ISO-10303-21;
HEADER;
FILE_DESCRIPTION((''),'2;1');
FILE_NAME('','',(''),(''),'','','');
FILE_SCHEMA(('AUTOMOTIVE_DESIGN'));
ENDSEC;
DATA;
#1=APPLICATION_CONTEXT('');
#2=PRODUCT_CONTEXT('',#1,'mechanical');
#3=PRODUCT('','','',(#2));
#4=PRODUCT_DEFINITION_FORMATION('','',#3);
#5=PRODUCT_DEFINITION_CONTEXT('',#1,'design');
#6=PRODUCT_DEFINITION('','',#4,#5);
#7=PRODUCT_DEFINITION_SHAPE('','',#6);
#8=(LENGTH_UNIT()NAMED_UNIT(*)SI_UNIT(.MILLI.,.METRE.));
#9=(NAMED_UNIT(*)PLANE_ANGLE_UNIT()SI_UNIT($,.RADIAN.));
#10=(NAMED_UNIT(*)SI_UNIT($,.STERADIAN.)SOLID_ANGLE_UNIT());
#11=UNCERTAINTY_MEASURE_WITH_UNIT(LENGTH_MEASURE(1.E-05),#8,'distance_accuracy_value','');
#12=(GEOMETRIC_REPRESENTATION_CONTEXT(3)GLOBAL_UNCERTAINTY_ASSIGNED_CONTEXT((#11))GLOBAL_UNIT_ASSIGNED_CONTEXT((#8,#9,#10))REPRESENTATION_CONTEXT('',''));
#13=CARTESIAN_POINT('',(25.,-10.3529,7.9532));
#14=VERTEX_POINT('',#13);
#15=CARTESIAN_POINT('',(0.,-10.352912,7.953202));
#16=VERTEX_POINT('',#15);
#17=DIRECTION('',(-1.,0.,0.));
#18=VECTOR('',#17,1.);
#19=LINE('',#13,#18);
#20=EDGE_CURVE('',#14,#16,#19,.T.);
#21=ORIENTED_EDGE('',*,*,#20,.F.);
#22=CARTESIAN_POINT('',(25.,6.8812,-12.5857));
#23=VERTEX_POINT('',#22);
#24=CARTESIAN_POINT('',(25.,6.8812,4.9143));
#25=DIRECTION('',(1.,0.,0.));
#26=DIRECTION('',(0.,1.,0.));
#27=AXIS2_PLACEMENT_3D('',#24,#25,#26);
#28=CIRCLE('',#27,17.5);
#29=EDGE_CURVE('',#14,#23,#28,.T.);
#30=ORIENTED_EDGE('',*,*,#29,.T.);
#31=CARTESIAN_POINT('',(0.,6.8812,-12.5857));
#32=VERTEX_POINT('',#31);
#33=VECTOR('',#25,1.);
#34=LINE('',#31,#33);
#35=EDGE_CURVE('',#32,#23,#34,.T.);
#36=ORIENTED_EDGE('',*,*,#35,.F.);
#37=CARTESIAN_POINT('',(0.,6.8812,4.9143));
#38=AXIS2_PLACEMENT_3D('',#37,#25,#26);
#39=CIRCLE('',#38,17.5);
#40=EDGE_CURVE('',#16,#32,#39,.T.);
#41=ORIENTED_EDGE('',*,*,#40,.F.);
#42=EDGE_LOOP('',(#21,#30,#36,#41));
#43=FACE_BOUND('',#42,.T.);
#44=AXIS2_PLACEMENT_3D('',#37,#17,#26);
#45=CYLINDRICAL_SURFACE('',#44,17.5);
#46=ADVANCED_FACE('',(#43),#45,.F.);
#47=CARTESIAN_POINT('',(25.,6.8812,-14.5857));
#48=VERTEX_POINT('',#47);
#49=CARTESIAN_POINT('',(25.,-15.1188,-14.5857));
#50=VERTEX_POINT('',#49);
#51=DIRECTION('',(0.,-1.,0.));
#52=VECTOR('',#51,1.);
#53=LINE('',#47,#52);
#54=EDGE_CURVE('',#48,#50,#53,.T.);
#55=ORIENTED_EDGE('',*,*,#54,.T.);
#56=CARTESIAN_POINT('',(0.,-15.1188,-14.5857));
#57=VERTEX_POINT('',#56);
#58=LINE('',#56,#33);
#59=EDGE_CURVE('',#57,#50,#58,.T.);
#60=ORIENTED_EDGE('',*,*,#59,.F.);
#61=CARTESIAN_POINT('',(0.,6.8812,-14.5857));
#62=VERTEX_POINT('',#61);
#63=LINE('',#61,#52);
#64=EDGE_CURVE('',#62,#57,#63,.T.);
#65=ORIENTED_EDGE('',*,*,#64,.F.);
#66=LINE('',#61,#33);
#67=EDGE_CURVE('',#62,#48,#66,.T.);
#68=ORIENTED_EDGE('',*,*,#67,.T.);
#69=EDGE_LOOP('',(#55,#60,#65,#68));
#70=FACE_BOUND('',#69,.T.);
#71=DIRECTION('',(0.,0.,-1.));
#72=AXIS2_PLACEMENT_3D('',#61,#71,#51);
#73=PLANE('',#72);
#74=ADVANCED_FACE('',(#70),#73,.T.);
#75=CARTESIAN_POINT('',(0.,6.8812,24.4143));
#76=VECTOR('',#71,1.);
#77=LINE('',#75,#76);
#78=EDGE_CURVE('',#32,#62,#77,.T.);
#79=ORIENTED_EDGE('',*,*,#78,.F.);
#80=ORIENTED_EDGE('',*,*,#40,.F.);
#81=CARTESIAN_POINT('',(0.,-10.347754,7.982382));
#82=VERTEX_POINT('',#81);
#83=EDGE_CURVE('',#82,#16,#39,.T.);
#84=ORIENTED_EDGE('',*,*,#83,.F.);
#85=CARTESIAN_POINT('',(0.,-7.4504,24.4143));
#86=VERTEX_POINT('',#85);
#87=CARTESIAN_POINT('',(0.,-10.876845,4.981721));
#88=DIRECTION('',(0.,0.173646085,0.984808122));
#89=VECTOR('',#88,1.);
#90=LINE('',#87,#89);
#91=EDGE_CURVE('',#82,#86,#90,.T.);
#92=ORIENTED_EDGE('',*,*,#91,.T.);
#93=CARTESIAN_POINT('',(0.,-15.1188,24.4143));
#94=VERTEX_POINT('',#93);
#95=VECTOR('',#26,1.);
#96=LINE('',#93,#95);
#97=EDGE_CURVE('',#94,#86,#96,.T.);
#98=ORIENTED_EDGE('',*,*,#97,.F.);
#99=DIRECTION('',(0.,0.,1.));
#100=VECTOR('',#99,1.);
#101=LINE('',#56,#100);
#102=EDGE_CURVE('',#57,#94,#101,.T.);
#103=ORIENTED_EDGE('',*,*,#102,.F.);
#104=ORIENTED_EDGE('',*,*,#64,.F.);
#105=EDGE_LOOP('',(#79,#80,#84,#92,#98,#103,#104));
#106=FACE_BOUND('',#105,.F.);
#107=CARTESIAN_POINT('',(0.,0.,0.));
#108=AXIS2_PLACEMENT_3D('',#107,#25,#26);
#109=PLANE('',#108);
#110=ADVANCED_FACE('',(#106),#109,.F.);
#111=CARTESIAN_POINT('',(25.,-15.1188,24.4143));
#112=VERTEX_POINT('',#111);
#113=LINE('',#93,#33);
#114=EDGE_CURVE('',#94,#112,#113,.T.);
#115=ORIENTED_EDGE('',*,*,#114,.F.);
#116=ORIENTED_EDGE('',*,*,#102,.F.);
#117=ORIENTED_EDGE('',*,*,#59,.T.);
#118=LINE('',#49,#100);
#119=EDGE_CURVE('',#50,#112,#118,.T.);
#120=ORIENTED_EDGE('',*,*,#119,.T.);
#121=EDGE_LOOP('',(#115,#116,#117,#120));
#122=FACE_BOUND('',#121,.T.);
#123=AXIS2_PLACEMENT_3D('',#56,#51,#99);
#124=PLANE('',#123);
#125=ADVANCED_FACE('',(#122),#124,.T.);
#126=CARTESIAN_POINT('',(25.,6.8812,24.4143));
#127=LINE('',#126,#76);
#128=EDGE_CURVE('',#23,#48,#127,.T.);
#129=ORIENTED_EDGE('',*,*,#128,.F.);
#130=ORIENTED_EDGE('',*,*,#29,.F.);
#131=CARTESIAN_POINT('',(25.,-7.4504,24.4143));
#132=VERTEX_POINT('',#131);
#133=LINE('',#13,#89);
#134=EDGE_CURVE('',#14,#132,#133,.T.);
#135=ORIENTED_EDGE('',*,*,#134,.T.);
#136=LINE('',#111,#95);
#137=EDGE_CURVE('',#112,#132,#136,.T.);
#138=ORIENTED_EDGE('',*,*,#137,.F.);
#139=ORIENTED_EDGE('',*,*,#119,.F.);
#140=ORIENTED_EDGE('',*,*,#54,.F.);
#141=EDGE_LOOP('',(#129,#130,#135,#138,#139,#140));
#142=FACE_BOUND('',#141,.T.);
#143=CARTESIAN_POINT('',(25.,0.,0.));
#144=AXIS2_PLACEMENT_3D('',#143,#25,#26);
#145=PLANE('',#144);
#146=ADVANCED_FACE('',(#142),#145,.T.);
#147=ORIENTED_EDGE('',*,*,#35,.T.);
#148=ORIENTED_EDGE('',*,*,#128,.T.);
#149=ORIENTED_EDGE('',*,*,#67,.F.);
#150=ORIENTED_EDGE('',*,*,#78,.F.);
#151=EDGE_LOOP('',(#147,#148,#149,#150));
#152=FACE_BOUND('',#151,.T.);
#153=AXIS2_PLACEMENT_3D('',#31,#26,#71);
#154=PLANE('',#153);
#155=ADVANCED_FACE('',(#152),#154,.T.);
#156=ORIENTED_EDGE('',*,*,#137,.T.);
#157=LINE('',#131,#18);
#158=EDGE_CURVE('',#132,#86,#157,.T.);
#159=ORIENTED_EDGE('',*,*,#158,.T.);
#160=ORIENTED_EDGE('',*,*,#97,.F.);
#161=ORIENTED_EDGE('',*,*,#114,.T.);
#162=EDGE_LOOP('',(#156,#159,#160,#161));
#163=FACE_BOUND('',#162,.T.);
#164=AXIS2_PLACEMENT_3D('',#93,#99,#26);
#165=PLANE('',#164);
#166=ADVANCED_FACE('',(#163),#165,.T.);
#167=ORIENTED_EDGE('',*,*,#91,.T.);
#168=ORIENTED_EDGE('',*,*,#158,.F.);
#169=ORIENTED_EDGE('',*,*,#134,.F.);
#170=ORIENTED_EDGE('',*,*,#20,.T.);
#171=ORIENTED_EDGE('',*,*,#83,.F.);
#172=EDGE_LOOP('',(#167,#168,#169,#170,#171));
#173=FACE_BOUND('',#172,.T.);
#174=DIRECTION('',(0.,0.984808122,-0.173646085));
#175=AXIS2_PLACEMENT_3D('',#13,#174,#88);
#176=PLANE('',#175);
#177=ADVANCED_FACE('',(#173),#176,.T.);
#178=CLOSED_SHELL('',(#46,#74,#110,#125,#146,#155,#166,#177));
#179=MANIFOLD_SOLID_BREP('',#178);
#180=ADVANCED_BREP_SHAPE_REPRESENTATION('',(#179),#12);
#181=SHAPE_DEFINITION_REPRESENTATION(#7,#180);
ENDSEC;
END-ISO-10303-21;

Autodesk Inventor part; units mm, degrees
ref_plane "YZ Plane" through (0, 0, 0) normal (1, 0, 0) x (0, 1, 0)
ref_plane "XZ Plane" through (0, 0, 0) normal (0, 1, 0) x (-1, 0, 0)
ref_plane "XY Plane" through (0, 0, 0) normal (0, 0, 1) x (1, 0, 0)
sketch "Sketch1" plane through (0, 0, 0) normal (1, 0, 0) x (0, 1, 0)
  point P0 (0, 0)
sketch "Sketch2" plane through (0, 0, 0) normal (1, 0, 0) x (0, 1, 0)
  line L0 (-15.1188, 24.4143) -> (6.8812, 24.4143)
  line L1 (6.8812, 24.4143) -> (6.8812, -14.5857)
  line L2 (6.8812, -14.5857) -> (-15.1188, -14.5857)
  line L3 (-15.1188, -14.5857) -> (-15.1188, 24.4143)
  circle A0 centre (6.8812, 4.9143) radius 17.5
  point P0 (0, 0)
  point P1 (6.8812, -12.5857)
  point P2 (6.8812, 22.4143)
  dimension "d0" = 39
  dimension "d1" = 22
  dimension "d2" = 35
  dimension "d5" = 19.5
  dimension "d6" = 19.5
extrude "Extrusion1" add sketch "Sketch2" along normal blind 25 contours L0 L1 A0 L2 L3
sketch "Sketch3" plane through (25, 0, 0) normal (1, 0, 0) x (0, 0, -1)
  arc A0 (-22.4143, 6.8812) -> (12.5857, 6.8812) centre (-4.9143, 6.8812) ccw projected
  line L0 (-4.9143, 6.8812) -> (-7.9532, -10.3529)
  line L1 (-4.9143, 6.8812) -> (12.5857, 6.8812) construction
  line L2 (-7.9532, -10.3529) -> (-24.4143, -7.4504)
  line L3 (-24.4143, 6.8812) -> (-24.4143, -15.1188) projected
  line L4 (-24.4143, -7.4504) -> (-33.9046, 19.8743)
  line L5 (-33.9046, 19.8743) -> (-4.9143, 6.8812)
  point P0 (0, 0)
  dimension "d7" = 100
extrude "Extrusion2" cut sketch "Sketch3" against normal blind 37.625
properties part number "BaseArmHolder"
